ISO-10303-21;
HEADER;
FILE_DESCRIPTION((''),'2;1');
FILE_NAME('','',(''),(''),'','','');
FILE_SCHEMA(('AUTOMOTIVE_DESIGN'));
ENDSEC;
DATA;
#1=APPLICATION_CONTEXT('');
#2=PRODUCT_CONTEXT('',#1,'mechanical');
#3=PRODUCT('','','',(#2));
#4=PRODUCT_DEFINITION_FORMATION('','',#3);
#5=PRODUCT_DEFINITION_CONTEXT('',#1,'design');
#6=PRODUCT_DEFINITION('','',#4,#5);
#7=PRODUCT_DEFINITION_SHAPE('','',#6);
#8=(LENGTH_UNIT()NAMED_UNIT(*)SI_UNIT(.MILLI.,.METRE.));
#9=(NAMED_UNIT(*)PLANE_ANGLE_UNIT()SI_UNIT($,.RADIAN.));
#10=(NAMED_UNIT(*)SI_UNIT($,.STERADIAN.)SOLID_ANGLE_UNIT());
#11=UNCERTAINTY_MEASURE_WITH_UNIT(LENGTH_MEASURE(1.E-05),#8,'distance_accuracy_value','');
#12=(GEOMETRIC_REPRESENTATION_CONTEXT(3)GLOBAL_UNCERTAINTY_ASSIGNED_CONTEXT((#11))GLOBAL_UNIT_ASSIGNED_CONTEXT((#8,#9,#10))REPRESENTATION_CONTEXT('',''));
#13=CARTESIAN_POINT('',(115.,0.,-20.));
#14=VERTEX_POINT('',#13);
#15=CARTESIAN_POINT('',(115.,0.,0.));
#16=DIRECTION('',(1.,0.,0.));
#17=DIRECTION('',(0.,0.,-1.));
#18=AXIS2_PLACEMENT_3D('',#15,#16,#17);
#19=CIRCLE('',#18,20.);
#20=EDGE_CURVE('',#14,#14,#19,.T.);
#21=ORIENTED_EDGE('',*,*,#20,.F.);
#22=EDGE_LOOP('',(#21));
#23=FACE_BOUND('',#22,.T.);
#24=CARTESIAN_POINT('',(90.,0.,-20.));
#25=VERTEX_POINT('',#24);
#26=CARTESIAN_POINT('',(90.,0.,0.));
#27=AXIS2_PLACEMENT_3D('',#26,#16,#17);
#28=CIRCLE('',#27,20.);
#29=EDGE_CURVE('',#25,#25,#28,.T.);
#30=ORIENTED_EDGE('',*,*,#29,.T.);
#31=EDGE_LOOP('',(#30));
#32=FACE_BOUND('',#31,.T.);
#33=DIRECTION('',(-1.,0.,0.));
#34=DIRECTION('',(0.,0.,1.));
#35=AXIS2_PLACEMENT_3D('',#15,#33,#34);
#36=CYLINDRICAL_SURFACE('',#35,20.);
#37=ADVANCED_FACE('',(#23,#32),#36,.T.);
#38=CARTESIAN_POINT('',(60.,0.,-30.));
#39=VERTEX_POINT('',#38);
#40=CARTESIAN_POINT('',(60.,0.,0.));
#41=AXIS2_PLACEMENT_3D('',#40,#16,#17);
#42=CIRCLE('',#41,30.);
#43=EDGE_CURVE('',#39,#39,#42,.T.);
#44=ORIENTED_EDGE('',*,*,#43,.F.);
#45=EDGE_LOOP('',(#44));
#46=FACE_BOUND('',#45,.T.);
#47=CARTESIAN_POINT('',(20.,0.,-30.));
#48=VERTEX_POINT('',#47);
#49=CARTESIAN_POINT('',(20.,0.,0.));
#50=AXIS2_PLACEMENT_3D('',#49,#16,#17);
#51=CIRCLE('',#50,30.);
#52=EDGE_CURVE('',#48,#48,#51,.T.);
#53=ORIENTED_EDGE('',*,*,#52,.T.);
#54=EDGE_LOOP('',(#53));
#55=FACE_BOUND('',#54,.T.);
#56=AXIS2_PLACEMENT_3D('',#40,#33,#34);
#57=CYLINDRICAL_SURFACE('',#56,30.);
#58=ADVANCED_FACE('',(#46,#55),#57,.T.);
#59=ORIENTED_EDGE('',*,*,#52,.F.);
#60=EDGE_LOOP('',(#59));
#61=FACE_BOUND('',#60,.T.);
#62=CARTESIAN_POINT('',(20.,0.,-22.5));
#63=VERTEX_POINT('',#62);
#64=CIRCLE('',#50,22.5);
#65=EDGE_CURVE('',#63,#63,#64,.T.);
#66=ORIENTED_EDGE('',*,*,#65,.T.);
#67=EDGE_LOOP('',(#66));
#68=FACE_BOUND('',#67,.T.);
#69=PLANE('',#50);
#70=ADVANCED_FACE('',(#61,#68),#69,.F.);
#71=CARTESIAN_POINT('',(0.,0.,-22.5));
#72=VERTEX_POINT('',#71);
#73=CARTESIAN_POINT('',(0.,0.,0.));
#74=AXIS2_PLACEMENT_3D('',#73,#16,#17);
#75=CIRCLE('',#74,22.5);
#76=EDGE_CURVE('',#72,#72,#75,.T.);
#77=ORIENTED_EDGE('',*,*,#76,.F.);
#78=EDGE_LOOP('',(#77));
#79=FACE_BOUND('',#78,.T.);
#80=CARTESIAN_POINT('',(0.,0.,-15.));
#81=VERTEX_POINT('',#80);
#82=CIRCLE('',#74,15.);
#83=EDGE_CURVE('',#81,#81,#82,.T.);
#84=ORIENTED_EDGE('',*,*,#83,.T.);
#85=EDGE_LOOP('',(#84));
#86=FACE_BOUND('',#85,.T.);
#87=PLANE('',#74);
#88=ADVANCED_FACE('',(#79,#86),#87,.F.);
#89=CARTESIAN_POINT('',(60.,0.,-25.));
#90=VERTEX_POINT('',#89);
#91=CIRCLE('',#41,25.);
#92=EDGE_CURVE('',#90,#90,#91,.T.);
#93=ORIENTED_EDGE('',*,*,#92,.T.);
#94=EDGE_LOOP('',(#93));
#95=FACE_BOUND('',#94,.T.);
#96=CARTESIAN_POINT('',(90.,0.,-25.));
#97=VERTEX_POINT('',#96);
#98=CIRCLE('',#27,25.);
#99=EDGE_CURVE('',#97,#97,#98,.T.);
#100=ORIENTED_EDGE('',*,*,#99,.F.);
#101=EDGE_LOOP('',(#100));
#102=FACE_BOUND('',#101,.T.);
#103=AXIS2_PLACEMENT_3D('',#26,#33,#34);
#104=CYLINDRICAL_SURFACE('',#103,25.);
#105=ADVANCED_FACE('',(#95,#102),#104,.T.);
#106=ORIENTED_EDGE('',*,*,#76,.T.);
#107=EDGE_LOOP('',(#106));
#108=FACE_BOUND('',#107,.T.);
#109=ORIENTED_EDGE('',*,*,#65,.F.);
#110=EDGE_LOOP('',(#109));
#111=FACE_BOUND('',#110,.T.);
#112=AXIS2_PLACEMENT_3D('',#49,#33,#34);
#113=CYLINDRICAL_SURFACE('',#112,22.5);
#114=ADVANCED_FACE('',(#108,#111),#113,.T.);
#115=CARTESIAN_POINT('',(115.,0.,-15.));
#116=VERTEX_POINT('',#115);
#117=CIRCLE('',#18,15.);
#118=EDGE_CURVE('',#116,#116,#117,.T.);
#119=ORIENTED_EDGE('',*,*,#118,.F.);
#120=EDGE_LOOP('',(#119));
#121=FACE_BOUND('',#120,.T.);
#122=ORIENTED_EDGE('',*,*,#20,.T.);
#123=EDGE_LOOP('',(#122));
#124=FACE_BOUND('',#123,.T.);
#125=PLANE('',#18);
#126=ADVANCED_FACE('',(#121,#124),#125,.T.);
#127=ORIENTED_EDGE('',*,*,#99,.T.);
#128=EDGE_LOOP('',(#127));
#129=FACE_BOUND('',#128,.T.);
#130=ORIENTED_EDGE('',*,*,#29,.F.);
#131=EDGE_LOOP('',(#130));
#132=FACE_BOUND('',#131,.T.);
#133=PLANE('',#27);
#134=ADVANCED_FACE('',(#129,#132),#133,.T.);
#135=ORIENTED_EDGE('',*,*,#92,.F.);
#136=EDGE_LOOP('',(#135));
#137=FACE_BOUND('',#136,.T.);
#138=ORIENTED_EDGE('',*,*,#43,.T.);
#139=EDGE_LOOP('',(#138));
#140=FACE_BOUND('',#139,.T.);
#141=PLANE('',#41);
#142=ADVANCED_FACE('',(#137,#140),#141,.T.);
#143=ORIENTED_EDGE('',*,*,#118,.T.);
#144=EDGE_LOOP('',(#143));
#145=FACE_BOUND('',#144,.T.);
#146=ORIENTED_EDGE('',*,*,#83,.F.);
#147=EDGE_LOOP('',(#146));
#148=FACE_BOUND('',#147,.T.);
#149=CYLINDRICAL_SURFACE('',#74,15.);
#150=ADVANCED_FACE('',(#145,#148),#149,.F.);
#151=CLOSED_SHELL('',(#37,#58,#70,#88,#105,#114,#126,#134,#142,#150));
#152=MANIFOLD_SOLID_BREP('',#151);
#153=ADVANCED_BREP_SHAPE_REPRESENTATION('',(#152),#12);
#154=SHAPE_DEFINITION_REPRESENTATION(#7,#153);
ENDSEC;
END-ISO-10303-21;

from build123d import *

# Parameters (mm, degrees)
SKETCH1_R           = 22.5
BOSS_EXTRUDE1_DEPTH = 20
SKETCH2_R           = 30
BOSS_EXTRUDE2_DEPTH = 40
SKETCH3_R           = 25
BOSS_EXTRUDE3_DEPTH = 30
SKETCH4_R           = 20
BOSS_EXTRUDE4_DEPTH = 25
SKETCH5_R           = 15
CUT_EXTRUDE1_DEPTH  = 116


with BuildPart() as part:
    # Sketch1 → Boss-Extrude1 (new body)
    with BuildSketch(Plane(origin=(0, 0, 0), x_dir=(0, 0, -1), z_dir=(1, 0, 0))):
        Circle(SKETCH1_R)
    extrude(amount=BOSS_EXTRUDE1_DEPTH)

    # Sketch2 → Boss-Extrude2 (add)
    with BuildSketch(Plane(origin=(20, 0, 0), x_dir=(0, 0, -1), z_dir=(1, 0, 0))):
        Circle(SKETCH2_R)
    extrude(amount=BOSS_EXTRUDE2_DEPTH)

    # Sketch3 → Boss-Extrude3 (add)
    with BuildSketch(Plane(origin=(60, 0, 0), x_dir=(0, 0, -1), z_dir=(1, 0, 0))):
        Circle(SKETCH3_R)
    extrude(amount=BOSS_EXTRUDE3_DEPTH)

    # Sketch4 → Boss-Extrude4 (add)
    with BuildSketch(Plane(origin=(90, 0, 0), x_dir=(0, 0, -1), z_dir=(1, 0, 0))):
        Circle(SKETCH4_R)
    extrude(amount=BOSS_EXTRUDE4_DEPTH)

    # Sketch5 → Cut-Extrude1 (cut, through all)
    with BuildSketch(Plane(origin=(115, 0, 0), x_dir=(0, 0, -1), z_dir=(1, 0, 0))):
        Circle(SKETCH5_R)
    extrude(amount=-CUT_EXTRUDE1_DEPTH, mode=Mode.SUBTRACT)


solid = part.part
